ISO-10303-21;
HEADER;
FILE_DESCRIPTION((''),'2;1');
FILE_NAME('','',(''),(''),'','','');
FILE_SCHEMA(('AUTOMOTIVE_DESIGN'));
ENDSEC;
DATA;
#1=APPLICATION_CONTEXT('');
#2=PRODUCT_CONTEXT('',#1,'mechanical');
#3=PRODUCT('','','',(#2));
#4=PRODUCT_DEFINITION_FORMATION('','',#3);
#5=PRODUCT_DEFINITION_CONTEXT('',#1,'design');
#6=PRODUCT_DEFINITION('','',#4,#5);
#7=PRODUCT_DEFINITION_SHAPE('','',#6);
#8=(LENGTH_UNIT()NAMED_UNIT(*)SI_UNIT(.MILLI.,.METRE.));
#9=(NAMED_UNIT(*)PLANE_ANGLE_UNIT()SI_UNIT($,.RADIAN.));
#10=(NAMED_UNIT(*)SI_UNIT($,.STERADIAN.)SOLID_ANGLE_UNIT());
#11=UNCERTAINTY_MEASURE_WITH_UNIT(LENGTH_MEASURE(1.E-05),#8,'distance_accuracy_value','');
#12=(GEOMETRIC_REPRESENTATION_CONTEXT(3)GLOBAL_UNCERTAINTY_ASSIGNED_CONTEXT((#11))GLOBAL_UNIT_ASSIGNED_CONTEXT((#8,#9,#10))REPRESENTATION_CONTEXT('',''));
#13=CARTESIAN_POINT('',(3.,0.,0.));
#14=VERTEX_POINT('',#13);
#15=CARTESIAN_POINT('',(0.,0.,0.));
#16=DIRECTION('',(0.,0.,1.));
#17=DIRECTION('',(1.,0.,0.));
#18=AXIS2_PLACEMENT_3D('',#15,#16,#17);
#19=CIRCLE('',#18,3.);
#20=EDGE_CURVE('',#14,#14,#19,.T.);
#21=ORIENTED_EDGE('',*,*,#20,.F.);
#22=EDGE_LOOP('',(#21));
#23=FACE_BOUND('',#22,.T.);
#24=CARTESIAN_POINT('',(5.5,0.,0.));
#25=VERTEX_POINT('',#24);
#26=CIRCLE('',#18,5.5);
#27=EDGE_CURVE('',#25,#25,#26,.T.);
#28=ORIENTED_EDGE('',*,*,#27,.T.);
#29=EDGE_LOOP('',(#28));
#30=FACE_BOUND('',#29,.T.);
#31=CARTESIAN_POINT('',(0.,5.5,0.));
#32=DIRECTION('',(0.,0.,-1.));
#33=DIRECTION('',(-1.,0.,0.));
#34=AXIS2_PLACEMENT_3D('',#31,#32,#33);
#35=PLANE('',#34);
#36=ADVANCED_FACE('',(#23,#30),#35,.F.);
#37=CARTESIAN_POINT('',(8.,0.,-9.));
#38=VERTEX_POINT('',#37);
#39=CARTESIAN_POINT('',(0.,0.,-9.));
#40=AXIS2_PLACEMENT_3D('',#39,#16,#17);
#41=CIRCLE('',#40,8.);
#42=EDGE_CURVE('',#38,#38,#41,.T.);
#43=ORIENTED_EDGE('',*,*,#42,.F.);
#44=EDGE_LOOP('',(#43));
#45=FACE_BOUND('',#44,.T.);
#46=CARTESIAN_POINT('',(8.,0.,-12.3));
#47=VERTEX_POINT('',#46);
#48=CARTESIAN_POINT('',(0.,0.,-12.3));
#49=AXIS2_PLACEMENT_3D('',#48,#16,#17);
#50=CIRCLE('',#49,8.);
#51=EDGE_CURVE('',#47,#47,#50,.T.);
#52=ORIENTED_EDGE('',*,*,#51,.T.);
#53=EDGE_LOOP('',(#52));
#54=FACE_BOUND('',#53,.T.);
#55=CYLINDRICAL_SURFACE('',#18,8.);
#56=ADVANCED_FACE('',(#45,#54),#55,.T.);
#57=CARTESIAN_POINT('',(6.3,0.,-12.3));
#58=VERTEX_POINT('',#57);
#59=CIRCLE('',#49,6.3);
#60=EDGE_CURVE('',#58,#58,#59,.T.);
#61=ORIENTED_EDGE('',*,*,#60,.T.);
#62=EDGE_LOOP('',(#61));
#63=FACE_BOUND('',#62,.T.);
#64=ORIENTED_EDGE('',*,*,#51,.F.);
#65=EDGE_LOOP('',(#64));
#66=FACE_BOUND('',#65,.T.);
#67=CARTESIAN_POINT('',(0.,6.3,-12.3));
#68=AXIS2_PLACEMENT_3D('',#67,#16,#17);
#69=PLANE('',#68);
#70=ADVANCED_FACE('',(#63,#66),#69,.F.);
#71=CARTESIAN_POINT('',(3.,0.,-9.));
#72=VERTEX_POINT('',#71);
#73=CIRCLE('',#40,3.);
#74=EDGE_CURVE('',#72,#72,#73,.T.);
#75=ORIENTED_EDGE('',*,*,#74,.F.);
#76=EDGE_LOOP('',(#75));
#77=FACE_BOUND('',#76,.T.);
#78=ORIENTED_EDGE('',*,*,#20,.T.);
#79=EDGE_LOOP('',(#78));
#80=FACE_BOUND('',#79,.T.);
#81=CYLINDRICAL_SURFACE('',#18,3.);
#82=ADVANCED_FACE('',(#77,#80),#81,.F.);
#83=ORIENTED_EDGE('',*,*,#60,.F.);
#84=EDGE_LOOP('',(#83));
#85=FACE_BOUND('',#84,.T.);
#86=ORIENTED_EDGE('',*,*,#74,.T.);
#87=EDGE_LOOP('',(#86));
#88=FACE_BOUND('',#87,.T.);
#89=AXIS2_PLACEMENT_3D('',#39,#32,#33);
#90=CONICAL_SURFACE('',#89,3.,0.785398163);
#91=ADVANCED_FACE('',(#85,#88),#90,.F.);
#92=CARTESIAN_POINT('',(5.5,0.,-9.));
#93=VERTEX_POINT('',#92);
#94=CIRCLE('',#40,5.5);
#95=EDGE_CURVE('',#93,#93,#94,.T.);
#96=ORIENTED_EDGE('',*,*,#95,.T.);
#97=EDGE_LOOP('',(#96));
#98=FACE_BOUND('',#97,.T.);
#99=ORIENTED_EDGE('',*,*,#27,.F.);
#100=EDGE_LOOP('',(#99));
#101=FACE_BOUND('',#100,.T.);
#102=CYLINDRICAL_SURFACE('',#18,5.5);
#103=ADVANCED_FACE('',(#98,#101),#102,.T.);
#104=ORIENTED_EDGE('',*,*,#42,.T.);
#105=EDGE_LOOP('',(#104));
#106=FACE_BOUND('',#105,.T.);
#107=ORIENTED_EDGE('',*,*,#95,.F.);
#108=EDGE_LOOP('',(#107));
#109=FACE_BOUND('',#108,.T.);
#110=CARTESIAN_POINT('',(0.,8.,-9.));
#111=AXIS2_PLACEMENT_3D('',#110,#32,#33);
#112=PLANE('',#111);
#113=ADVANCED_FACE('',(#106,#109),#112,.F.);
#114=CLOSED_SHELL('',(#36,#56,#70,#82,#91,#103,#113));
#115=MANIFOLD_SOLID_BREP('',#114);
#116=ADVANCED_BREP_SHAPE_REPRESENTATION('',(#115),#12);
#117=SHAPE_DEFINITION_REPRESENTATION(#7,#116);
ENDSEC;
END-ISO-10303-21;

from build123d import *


with BuildPart() as part:
    # Sketch1 → Revolve1 (revolve)
    with BuildSketch(Plane(origin=(0, 0, 0), x_dir=(0, 0, -1), z_dir=(1, 0, 0))):
        Polygon((0, 3), (9, 3), (12.3, 6.3), (12.3, 8), (9, 8), (9, 5.5), (0, 5.5), align=None)
    revolve(axis=Axis((0, 0, 0), (0, 0, -1)))


solid = part.part
